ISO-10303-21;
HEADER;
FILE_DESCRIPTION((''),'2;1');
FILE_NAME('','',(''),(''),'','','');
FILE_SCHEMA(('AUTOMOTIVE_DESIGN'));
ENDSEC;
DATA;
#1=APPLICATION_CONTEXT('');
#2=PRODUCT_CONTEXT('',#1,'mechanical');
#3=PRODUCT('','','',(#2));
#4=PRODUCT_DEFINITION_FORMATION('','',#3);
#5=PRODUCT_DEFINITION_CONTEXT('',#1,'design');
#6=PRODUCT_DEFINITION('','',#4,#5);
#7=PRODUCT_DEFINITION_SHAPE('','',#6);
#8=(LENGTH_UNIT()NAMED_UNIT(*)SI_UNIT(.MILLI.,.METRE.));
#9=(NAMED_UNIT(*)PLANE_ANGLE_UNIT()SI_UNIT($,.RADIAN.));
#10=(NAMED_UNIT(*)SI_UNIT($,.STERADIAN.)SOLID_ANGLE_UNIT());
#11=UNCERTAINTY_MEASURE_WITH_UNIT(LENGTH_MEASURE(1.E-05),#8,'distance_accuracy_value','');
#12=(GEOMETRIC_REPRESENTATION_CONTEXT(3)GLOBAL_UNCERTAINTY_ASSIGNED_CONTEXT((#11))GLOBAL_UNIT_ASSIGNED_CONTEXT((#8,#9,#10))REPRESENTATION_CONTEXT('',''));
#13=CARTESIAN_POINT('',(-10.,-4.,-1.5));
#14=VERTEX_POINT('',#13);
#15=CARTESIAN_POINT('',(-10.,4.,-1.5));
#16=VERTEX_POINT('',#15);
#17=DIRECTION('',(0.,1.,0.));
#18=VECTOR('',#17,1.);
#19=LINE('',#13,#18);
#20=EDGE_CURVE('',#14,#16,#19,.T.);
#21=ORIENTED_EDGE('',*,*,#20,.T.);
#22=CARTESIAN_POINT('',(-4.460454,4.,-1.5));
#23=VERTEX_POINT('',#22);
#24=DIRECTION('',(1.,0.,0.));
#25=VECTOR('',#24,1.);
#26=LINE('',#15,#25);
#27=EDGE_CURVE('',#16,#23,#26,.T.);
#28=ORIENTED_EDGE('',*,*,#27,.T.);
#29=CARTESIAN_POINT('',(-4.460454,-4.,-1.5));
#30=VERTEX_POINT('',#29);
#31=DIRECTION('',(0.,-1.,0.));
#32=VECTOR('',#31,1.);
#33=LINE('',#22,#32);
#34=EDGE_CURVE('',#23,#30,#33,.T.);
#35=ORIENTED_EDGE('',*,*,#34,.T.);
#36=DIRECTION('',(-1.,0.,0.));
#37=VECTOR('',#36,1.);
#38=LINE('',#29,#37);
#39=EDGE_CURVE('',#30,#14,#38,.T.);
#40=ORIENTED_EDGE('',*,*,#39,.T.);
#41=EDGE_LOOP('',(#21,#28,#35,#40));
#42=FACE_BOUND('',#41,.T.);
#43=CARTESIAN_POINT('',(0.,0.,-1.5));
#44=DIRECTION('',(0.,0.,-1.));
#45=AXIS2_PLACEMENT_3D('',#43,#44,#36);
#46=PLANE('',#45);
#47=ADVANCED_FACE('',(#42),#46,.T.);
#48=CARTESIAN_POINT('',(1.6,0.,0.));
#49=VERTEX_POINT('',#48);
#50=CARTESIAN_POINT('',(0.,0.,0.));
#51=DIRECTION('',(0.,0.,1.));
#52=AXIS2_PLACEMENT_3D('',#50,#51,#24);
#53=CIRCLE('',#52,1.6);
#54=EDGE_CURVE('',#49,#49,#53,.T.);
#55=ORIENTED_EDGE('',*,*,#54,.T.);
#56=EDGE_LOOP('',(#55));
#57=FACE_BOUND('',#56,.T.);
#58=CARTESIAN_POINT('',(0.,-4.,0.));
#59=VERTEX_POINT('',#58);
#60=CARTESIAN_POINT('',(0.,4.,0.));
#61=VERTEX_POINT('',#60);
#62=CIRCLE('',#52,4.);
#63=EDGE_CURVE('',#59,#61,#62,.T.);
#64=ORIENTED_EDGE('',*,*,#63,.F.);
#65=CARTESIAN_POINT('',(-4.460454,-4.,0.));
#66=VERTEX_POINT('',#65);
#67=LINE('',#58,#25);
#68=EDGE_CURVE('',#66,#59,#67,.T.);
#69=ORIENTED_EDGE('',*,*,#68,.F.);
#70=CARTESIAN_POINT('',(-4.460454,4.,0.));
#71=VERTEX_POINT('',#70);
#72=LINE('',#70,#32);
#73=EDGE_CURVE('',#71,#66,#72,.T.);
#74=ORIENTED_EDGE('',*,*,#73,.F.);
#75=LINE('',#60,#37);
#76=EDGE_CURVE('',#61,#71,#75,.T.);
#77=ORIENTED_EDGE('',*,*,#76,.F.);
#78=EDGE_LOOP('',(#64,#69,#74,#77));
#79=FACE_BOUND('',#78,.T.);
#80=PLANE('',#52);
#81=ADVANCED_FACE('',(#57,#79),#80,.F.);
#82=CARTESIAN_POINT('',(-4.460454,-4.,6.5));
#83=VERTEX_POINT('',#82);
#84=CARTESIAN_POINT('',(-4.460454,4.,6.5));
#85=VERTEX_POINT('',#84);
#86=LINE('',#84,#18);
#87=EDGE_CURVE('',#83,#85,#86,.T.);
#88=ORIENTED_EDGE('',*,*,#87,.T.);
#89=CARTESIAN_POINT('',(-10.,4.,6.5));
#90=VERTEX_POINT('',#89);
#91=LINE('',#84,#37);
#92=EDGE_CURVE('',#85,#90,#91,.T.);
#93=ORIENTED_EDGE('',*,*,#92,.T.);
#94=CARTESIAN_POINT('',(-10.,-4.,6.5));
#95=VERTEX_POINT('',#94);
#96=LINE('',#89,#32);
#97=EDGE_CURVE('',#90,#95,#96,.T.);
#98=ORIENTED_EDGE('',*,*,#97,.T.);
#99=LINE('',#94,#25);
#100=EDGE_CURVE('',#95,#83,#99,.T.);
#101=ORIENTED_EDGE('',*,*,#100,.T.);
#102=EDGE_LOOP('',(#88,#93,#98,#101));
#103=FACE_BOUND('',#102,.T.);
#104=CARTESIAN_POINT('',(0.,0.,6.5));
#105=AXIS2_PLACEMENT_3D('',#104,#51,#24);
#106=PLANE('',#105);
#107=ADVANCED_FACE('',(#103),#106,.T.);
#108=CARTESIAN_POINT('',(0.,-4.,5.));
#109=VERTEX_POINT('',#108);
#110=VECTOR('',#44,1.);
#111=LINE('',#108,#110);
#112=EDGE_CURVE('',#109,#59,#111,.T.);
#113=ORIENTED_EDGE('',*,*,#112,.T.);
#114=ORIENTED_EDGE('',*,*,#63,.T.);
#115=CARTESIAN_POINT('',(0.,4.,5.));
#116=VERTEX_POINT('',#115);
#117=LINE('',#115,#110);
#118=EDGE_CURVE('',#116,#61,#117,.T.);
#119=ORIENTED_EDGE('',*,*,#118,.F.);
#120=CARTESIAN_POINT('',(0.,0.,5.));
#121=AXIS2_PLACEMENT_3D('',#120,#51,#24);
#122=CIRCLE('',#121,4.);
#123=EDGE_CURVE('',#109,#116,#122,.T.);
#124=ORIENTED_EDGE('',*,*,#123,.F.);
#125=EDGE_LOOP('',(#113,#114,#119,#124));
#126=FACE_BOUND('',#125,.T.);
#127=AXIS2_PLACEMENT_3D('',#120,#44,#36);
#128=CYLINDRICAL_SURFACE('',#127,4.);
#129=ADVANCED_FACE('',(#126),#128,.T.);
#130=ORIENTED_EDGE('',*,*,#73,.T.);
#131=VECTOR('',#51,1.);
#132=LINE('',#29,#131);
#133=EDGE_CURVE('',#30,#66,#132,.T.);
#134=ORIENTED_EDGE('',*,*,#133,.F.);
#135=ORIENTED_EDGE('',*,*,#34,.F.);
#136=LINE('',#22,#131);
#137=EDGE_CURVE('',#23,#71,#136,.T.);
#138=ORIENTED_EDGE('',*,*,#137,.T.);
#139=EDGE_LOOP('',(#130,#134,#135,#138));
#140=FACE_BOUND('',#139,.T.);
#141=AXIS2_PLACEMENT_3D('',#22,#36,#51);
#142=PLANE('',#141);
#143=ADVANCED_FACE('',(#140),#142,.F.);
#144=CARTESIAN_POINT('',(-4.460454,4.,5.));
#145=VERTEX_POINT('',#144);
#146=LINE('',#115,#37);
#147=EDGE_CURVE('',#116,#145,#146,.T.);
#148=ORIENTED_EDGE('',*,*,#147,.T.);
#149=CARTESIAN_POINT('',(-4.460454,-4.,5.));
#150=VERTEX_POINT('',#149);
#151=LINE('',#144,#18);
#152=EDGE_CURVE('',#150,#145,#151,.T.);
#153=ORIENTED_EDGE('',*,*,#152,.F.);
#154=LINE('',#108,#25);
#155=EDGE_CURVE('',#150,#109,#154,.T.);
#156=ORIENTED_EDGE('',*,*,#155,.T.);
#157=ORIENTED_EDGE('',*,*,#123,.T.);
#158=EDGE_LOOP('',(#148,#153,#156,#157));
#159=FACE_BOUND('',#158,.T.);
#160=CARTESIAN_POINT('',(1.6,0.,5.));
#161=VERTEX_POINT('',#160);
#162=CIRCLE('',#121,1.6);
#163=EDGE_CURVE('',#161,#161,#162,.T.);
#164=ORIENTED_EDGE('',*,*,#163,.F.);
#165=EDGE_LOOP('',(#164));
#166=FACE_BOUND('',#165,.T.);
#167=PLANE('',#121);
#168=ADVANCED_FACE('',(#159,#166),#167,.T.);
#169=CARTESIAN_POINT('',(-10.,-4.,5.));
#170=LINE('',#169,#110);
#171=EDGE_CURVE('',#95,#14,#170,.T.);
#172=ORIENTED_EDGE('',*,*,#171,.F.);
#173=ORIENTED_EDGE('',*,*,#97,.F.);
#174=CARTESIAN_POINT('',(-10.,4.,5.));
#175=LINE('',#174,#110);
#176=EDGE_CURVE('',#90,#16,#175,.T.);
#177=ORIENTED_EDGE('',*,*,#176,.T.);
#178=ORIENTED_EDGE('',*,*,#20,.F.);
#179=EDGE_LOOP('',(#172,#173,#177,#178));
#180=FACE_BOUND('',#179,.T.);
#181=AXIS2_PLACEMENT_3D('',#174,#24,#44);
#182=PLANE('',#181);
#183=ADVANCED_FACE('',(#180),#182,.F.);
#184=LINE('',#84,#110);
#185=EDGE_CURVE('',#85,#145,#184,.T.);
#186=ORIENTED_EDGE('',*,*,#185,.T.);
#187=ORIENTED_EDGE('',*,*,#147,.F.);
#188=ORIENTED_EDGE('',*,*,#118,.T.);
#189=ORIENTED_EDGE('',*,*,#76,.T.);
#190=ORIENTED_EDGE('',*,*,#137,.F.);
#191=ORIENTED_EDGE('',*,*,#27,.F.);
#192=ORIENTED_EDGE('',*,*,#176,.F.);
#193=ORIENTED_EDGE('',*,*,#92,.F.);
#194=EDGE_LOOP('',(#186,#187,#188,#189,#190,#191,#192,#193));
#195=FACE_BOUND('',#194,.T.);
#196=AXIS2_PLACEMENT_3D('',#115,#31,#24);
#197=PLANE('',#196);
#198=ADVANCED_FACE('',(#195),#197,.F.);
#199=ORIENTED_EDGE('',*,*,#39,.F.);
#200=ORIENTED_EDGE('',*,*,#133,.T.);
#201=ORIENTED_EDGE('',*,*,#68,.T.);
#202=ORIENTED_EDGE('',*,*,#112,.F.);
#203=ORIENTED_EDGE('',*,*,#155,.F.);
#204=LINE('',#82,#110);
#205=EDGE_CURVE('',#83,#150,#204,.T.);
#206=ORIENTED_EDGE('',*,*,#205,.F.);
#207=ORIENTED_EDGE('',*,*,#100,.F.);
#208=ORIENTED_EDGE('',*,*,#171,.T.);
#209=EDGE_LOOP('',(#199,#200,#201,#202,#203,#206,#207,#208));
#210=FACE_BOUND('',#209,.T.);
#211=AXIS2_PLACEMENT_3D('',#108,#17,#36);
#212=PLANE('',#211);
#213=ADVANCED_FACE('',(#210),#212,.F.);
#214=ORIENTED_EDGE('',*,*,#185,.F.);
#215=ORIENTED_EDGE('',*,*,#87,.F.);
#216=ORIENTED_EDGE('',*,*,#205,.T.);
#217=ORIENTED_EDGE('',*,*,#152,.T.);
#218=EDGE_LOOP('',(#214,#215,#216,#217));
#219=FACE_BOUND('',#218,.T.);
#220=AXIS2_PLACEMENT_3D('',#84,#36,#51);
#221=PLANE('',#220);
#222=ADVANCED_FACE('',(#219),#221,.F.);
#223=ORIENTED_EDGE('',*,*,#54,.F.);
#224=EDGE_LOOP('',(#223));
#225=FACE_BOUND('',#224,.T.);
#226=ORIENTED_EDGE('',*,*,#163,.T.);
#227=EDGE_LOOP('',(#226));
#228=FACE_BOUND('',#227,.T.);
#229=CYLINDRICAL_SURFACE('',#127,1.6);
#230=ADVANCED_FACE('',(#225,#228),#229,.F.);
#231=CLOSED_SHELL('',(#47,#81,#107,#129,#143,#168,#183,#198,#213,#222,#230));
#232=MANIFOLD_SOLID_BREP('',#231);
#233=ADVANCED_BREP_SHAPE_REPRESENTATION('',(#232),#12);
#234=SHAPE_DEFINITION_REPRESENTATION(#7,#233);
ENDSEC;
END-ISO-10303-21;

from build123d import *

# Parameters (mm, degrees)
SKETCH1_R           = 1.6
BOSS_EXTRUDE2_DEPTH = 5
SKETCH2_W           = 5.53954597
SKETCH2_H           = 8
BOSS_EXTRUDE3_DEPTH = 1.5
SKETCH3_W           = 5.53954597
SKETCH3_H           = 8
BOSS_EXTRUDE4_DEPTH = 1.5


with BuildPart() as part:
    # Sketch1 → Boss-Extrude2 (new body)
    with BuildSketch(Plane.XY):
        with BuildLine():
            Line((0, 4), (-10, 4))
            Line((-10, 4), (-10, -4))
            Line((-10, -4), (0, -4))
            ThreePointArc((0, -4), (4, 0), (0, 4))
        make_face()
        Circle(SKETCH1_R, mode=Mode.SUBTRACT)
    extrude(amount=BOSS_EXTRUDE2_DEPTH)

    # Sketch2 → Boss-Extrude3 (add)
    with BuildSketch(Plane.XY.offset(5)):
        with Locations((-7.230227015, 0)):
            Rectangle(SKETCH2_W, SKETCH2_H)
    extrude(amount=BOSS_EXTRUDE3_DEPTH)

    # Sketch3 → Boss-Extrude4 (add)
    with BuildSketch(Plane(origin=(0, 0, 0), x_dir=(-1, 0, 0), z_dir=(0, 0, -1))):
        with Locations((7.230227015, 0)):
            Rectangle(SKETCH3_W, SKETCH3_H)
    extrude(amount=BOSS_EXTRUDE4_DEPTH)


solid = part.part
